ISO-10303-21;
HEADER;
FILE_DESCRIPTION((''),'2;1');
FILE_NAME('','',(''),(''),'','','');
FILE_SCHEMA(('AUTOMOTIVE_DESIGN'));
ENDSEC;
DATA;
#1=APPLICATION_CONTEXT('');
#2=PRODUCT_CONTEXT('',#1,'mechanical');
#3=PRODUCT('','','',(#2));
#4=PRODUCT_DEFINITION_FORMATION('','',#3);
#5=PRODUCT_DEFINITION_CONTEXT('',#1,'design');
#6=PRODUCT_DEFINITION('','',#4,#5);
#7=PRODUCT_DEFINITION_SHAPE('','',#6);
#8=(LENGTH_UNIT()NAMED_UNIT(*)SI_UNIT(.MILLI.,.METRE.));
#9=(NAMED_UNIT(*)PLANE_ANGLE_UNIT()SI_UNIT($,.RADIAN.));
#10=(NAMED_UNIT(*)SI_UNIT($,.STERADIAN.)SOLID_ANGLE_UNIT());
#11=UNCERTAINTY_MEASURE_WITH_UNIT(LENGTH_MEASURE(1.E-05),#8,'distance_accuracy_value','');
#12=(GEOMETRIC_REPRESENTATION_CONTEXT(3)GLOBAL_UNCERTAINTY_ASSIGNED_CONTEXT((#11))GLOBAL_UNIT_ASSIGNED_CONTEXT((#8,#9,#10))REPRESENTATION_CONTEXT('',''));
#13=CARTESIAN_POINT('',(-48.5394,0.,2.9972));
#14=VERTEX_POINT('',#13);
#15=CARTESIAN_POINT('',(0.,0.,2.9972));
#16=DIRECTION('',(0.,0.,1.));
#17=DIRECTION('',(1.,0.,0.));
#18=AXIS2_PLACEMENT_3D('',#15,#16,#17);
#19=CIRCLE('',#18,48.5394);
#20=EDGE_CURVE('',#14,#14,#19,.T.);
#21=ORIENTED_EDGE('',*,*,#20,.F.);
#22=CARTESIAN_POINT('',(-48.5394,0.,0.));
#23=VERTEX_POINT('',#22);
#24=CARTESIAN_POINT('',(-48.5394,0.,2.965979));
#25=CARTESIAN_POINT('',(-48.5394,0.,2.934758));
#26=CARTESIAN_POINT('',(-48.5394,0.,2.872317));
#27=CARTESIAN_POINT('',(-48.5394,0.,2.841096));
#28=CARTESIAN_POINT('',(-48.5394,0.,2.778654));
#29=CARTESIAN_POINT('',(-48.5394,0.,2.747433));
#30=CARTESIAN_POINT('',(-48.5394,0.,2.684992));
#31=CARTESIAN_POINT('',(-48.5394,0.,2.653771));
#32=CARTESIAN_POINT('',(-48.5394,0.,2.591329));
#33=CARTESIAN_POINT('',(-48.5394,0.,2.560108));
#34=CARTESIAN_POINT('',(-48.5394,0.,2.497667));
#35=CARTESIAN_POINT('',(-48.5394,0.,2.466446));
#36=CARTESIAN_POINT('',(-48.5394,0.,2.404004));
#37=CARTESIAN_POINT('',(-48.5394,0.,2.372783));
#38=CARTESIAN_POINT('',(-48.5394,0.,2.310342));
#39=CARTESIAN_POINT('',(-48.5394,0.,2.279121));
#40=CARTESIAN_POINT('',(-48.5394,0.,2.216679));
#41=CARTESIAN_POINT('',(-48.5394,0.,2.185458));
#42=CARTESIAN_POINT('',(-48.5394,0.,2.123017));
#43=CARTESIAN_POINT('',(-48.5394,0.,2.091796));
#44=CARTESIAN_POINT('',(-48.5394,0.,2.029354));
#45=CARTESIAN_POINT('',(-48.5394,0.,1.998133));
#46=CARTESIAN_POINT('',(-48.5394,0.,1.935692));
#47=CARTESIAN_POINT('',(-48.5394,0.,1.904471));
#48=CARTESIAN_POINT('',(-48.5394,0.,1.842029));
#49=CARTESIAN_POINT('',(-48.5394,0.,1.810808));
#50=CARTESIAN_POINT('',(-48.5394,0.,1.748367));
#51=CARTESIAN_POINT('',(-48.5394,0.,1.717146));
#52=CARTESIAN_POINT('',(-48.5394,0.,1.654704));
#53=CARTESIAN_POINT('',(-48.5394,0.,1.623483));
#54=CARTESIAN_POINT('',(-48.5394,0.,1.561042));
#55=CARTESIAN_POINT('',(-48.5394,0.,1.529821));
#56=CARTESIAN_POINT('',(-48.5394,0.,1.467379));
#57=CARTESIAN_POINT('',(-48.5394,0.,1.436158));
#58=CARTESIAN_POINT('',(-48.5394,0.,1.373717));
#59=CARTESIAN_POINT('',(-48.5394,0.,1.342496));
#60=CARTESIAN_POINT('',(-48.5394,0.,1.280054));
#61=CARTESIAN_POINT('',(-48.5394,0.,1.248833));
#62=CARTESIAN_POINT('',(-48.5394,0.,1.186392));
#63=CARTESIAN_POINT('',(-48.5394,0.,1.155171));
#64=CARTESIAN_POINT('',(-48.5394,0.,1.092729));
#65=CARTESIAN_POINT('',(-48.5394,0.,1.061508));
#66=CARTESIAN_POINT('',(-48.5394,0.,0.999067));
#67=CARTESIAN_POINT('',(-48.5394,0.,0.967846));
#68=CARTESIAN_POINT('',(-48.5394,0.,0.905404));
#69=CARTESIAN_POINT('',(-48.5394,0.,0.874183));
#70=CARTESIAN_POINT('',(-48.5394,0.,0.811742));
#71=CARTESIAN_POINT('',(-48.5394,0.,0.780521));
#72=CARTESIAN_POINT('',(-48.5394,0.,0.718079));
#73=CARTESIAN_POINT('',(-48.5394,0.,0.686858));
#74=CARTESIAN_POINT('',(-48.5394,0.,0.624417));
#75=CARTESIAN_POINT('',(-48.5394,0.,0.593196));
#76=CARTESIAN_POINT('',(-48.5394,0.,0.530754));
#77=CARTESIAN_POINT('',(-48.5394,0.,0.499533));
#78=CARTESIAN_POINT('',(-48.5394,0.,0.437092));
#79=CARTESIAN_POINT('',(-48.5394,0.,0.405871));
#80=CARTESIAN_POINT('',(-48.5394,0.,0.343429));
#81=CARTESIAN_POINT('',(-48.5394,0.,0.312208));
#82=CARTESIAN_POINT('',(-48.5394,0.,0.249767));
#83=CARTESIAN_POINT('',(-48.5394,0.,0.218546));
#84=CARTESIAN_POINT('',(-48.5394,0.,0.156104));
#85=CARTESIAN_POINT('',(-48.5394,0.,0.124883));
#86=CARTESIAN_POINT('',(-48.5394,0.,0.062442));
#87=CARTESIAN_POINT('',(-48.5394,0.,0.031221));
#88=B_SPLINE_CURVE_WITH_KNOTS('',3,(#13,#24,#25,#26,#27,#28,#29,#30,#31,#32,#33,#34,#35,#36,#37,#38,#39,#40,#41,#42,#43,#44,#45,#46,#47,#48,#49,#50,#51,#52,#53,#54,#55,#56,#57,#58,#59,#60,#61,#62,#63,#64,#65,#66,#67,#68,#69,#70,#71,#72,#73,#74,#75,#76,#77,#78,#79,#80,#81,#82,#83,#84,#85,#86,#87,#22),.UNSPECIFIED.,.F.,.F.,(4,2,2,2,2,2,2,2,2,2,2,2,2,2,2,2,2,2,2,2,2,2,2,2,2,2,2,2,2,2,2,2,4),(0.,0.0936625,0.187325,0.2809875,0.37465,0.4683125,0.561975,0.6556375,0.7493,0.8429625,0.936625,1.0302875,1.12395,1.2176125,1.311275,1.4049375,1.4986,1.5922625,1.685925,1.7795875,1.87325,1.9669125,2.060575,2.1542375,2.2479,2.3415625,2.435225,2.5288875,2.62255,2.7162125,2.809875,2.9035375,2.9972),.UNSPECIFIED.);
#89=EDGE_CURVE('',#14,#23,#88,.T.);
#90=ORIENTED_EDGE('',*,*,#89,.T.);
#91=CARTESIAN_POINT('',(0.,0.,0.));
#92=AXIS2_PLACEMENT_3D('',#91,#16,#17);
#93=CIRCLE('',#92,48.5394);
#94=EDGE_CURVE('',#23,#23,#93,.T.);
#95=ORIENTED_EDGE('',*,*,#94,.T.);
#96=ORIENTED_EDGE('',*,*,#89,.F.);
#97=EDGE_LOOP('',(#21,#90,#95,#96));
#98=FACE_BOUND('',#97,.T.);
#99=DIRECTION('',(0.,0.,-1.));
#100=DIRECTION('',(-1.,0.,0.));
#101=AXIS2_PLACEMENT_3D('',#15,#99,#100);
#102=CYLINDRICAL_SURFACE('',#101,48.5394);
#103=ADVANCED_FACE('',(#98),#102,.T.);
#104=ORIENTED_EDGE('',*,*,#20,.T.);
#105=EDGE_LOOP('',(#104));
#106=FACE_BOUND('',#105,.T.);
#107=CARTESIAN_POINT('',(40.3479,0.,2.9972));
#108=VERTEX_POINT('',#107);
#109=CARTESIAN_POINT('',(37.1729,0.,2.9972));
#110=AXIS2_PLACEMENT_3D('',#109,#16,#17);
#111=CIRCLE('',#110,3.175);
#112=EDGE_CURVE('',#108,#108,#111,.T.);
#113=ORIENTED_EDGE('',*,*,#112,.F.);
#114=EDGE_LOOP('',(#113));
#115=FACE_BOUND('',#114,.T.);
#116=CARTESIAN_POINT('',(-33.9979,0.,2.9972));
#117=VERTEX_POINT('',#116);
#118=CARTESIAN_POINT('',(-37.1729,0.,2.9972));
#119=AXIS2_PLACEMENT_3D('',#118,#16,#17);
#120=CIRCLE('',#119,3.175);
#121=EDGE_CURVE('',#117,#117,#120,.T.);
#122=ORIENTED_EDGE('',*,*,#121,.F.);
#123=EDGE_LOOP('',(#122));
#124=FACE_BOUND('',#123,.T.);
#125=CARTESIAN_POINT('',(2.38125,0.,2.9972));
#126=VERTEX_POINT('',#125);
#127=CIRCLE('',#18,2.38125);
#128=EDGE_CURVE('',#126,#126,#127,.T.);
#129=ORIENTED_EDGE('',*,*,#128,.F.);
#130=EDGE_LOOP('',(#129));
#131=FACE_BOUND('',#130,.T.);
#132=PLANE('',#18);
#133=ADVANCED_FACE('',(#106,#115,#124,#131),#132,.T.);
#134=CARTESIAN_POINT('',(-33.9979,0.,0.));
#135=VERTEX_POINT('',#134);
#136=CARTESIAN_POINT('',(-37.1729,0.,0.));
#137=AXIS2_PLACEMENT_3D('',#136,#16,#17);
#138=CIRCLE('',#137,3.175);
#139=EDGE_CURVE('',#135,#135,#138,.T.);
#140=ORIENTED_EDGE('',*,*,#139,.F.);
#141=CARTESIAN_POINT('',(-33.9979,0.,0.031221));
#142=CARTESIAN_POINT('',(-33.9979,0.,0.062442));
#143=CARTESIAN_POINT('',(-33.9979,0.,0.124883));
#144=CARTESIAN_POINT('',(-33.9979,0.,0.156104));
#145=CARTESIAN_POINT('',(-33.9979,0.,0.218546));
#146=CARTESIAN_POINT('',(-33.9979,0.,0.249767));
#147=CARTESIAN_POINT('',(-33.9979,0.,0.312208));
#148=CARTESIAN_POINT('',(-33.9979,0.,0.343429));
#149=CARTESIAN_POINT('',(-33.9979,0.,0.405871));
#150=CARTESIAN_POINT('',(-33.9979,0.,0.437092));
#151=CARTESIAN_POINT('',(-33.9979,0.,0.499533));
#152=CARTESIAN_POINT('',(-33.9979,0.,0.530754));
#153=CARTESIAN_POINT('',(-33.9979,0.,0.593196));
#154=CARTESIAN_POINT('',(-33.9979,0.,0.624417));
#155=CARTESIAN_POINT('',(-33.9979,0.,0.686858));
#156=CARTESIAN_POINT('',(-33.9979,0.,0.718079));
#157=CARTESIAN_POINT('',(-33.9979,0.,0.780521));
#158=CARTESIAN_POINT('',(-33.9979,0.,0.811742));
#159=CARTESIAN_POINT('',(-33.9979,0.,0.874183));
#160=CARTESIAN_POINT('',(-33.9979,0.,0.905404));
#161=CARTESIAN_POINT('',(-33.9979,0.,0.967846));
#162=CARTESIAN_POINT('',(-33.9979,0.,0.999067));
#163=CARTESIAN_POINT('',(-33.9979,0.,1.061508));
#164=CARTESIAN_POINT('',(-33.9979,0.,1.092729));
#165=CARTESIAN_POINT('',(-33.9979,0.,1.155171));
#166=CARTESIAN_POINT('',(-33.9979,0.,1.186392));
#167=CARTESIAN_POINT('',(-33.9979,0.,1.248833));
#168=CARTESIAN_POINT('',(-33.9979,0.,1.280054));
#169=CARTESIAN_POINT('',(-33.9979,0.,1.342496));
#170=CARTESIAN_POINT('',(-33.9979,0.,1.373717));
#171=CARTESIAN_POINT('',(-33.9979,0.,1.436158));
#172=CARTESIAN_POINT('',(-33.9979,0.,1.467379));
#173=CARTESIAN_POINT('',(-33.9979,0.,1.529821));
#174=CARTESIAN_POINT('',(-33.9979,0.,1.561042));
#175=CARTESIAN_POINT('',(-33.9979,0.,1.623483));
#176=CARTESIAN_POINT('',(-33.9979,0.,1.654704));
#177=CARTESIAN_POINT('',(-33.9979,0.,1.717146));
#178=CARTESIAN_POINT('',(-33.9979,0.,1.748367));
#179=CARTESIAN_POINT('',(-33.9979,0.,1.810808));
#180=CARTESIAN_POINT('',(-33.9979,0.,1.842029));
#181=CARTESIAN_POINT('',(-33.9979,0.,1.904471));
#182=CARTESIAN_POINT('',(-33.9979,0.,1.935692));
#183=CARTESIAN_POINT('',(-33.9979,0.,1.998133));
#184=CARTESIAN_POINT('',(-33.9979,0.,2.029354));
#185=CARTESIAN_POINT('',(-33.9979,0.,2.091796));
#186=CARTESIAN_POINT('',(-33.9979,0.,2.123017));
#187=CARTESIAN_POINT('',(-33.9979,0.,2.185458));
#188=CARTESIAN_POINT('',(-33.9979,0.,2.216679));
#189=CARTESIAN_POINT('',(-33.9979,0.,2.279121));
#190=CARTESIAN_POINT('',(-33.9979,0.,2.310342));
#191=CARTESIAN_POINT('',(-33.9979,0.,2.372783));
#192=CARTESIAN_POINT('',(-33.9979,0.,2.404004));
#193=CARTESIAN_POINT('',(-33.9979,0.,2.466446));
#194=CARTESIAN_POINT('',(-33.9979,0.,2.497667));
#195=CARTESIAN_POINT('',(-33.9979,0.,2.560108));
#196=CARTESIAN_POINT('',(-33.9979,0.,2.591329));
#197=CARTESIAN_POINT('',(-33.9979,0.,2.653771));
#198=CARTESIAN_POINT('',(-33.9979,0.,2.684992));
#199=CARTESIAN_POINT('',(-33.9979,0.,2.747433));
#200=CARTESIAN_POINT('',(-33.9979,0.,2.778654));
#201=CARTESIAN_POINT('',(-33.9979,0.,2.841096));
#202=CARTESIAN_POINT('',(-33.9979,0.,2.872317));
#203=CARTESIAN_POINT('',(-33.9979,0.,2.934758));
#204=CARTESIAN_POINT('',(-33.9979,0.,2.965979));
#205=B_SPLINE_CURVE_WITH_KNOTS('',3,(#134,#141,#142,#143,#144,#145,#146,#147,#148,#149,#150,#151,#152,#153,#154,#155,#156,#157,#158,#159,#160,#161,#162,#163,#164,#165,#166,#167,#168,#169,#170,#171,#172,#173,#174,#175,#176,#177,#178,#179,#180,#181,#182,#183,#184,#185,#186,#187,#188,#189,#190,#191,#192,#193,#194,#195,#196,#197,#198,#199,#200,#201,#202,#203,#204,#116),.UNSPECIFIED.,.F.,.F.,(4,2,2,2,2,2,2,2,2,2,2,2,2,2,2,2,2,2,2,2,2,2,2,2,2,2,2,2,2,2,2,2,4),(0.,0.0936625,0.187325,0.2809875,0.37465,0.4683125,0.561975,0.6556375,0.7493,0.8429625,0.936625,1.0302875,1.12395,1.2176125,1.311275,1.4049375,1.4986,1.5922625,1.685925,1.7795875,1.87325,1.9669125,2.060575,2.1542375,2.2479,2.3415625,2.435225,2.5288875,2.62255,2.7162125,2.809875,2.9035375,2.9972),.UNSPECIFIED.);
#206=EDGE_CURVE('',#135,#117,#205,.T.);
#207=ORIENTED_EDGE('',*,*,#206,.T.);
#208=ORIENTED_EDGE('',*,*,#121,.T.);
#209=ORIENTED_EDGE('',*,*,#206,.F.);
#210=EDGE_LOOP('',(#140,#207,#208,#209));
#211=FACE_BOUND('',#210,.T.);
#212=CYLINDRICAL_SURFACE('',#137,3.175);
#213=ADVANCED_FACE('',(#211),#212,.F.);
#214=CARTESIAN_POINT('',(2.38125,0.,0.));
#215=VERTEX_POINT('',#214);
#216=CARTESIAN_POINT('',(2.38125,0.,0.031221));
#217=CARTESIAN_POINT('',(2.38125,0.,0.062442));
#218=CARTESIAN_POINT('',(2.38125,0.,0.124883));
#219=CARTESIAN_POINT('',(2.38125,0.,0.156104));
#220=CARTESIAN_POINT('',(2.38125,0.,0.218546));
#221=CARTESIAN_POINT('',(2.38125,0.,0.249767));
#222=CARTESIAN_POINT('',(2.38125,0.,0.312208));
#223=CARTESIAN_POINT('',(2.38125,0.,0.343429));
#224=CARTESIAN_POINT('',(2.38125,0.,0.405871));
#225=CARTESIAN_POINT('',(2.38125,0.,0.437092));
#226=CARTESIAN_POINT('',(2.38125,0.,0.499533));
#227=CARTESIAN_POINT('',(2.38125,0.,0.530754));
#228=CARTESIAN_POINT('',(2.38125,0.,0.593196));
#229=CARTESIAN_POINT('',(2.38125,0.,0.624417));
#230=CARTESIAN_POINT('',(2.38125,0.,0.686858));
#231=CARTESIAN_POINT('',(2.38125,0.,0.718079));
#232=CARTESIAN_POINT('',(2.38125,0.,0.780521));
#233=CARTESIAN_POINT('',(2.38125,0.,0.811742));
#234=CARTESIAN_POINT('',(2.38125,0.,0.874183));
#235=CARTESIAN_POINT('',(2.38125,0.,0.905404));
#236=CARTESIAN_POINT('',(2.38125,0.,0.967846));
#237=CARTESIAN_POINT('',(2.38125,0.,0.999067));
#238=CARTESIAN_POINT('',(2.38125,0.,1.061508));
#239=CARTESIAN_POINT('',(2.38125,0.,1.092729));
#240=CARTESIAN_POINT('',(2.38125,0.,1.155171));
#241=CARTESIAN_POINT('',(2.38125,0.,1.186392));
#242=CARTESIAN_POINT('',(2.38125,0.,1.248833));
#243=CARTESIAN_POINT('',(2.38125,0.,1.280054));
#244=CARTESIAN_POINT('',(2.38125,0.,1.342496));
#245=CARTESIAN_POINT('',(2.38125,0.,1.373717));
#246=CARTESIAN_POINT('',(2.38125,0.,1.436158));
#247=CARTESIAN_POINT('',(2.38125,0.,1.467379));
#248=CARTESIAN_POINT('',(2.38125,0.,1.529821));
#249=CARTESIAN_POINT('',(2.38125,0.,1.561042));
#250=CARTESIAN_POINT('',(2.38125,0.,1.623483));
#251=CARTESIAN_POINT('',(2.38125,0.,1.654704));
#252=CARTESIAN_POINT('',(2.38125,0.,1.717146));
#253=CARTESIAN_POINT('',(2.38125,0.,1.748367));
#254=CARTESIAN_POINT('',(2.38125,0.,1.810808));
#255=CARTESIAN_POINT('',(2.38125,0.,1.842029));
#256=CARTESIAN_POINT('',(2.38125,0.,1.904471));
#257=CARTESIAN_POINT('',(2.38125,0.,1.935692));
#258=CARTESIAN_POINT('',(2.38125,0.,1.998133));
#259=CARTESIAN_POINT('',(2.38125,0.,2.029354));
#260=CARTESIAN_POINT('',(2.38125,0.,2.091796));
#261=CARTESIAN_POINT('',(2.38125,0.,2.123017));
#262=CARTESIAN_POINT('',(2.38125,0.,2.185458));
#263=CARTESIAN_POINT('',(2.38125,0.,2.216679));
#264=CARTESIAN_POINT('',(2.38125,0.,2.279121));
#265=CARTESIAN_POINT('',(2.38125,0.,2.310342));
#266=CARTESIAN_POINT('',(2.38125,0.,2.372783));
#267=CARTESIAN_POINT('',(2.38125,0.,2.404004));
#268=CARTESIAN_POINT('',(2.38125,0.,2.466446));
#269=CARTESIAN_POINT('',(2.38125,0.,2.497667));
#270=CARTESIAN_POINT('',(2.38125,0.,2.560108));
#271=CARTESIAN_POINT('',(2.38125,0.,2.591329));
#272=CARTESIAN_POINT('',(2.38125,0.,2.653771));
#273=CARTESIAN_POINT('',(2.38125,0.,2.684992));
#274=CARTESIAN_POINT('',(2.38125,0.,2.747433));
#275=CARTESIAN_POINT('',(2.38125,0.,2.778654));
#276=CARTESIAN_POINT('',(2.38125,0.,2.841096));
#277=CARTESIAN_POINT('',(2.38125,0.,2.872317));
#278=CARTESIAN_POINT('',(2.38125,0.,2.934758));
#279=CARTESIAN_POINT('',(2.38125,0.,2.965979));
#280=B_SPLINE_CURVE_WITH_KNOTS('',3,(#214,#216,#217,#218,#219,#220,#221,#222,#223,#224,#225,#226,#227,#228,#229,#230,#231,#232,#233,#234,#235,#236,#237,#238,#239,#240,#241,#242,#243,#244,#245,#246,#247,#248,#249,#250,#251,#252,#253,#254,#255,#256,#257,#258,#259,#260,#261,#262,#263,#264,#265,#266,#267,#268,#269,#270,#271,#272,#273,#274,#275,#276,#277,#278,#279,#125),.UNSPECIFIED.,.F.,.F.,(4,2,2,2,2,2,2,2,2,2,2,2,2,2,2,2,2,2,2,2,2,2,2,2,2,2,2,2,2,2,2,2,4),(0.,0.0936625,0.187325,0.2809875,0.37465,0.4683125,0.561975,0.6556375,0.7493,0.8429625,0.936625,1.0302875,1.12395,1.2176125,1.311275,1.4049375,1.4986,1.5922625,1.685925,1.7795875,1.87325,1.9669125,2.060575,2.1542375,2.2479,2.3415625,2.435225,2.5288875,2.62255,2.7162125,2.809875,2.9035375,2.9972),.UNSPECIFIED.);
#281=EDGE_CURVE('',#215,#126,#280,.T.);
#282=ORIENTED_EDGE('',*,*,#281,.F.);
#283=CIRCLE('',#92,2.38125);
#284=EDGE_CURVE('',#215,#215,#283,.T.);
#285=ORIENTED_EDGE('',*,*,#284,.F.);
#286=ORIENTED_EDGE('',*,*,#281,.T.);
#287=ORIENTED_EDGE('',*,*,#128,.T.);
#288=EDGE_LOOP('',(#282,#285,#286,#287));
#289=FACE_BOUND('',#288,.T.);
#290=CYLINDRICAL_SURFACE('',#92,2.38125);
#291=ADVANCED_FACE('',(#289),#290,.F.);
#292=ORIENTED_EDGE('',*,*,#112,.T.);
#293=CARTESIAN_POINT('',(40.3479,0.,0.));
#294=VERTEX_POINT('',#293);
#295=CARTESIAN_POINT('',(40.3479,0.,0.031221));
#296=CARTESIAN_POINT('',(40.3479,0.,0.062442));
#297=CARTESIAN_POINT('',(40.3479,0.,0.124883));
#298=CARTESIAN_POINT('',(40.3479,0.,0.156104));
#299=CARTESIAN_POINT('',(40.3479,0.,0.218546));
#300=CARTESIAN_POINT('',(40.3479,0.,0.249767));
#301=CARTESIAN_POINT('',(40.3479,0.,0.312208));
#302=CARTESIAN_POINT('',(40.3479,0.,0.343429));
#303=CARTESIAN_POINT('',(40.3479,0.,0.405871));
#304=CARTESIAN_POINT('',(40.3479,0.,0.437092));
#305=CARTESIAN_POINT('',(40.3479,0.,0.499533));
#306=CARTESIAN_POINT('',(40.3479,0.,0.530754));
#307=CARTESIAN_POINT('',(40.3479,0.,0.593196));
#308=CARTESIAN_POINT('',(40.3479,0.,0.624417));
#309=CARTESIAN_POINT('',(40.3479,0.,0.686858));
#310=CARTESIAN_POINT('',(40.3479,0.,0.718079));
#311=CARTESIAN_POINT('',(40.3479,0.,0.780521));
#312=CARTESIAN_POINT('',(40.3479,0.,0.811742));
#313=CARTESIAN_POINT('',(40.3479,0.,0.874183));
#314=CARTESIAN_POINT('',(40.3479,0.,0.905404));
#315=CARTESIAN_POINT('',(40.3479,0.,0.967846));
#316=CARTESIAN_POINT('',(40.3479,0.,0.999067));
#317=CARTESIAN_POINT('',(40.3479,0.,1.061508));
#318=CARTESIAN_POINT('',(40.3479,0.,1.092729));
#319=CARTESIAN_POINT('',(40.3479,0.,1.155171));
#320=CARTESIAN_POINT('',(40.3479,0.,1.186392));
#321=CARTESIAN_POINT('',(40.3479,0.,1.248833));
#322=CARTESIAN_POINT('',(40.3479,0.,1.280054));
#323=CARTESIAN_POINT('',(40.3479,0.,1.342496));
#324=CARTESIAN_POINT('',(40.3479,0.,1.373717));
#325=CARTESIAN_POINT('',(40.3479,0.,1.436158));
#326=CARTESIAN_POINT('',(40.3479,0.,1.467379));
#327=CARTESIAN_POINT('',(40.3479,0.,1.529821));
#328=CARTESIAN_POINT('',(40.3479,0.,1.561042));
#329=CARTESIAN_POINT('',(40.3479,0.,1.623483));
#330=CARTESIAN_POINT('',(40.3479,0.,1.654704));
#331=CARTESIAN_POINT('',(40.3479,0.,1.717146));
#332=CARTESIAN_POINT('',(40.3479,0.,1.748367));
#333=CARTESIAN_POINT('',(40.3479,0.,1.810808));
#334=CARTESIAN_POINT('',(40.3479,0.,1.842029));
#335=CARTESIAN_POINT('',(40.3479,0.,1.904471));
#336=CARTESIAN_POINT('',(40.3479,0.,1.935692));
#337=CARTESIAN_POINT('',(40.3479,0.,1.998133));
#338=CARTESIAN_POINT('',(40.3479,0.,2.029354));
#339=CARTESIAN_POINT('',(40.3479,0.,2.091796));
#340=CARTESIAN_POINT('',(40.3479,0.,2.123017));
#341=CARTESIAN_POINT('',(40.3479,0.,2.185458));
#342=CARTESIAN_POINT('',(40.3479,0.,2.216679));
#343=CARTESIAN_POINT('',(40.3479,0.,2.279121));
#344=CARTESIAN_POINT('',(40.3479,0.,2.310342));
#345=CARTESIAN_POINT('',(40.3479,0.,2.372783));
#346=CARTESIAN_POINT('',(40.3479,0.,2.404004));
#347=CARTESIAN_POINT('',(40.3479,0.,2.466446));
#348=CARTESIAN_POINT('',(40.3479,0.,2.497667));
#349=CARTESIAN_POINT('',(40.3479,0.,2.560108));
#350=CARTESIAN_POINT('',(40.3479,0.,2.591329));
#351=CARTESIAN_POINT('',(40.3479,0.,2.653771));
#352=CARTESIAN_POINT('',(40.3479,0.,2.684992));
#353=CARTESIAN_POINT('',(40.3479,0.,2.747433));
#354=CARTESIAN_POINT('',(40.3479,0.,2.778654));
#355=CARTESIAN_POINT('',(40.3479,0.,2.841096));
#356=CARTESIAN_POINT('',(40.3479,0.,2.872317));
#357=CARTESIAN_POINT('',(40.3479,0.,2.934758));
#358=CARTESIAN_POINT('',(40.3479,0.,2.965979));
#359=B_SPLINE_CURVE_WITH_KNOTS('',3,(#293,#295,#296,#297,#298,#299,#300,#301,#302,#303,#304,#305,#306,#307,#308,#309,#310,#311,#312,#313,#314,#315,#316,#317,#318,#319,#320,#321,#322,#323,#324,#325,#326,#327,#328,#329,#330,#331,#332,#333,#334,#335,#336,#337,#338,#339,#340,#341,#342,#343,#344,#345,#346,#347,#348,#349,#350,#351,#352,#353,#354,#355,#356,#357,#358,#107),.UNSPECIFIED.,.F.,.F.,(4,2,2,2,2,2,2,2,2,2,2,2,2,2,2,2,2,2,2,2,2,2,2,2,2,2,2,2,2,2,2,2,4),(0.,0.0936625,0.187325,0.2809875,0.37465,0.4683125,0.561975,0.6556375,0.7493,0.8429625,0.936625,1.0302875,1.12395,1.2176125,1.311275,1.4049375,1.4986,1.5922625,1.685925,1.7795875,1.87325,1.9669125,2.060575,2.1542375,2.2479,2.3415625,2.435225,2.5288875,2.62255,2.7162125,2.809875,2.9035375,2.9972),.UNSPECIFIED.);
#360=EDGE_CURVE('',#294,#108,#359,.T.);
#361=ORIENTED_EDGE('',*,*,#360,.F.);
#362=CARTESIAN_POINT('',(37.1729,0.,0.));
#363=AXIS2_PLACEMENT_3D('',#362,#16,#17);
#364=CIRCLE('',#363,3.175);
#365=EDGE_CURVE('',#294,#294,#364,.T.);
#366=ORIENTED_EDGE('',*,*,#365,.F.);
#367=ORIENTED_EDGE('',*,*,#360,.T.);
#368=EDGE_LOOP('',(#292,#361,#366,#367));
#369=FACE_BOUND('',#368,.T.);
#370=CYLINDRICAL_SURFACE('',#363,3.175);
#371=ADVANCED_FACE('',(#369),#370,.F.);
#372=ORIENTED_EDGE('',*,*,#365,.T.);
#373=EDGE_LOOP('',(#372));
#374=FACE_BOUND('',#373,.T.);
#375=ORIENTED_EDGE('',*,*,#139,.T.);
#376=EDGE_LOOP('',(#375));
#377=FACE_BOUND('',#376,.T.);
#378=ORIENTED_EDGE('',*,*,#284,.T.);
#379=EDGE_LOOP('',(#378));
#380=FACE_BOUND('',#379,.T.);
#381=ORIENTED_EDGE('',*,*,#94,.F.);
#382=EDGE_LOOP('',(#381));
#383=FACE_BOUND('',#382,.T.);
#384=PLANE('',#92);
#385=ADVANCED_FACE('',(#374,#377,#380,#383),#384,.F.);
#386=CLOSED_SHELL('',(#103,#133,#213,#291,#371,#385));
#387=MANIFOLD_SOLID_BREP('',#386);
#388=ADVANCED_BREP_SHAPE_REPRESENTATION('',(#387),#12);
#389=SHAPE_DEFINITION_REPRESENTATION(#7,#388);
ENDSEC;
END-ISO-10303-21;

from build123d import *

# Parameters (mm, degrees)
SKETCH1_R           = 48.5394
BOSS_EXTRUDE1_DEPTH = 2.9972
SKETCH2_R           = 2.38125
SKETCH2_R_2         = 3.175
CUT_EXTRUDE1_DEPTH  = 69.710478914


with BuildPart() as part:
    # Sketch1 → Boss-Extrude1 (new body)
    with BuildSketch(Plane.XY):
        with Locations(Location((0, 0, 0), (0, 0, 180))):
            Circle(SKETCH1_R)
    extrude(amount=BOSS_EXTRUDE1_DEPTH)

    # Sketch2 → Cut-Extrude1 (cut, through all)
    with BuildSketch(Plane.XY.offset(2.9972)):
        Circle(SKETCH2_R)
        with Locations((37.1729, 0)):
            Circle(SKETCH2_R_2)
        with Locations((-37.1729, 0)):
            Circle(SKETCH2_R_2)
    extrude(amount=-CUT_EXTRUDE1_DEPTH, mode=Mode.SUBTRACT)


solid = part.part
